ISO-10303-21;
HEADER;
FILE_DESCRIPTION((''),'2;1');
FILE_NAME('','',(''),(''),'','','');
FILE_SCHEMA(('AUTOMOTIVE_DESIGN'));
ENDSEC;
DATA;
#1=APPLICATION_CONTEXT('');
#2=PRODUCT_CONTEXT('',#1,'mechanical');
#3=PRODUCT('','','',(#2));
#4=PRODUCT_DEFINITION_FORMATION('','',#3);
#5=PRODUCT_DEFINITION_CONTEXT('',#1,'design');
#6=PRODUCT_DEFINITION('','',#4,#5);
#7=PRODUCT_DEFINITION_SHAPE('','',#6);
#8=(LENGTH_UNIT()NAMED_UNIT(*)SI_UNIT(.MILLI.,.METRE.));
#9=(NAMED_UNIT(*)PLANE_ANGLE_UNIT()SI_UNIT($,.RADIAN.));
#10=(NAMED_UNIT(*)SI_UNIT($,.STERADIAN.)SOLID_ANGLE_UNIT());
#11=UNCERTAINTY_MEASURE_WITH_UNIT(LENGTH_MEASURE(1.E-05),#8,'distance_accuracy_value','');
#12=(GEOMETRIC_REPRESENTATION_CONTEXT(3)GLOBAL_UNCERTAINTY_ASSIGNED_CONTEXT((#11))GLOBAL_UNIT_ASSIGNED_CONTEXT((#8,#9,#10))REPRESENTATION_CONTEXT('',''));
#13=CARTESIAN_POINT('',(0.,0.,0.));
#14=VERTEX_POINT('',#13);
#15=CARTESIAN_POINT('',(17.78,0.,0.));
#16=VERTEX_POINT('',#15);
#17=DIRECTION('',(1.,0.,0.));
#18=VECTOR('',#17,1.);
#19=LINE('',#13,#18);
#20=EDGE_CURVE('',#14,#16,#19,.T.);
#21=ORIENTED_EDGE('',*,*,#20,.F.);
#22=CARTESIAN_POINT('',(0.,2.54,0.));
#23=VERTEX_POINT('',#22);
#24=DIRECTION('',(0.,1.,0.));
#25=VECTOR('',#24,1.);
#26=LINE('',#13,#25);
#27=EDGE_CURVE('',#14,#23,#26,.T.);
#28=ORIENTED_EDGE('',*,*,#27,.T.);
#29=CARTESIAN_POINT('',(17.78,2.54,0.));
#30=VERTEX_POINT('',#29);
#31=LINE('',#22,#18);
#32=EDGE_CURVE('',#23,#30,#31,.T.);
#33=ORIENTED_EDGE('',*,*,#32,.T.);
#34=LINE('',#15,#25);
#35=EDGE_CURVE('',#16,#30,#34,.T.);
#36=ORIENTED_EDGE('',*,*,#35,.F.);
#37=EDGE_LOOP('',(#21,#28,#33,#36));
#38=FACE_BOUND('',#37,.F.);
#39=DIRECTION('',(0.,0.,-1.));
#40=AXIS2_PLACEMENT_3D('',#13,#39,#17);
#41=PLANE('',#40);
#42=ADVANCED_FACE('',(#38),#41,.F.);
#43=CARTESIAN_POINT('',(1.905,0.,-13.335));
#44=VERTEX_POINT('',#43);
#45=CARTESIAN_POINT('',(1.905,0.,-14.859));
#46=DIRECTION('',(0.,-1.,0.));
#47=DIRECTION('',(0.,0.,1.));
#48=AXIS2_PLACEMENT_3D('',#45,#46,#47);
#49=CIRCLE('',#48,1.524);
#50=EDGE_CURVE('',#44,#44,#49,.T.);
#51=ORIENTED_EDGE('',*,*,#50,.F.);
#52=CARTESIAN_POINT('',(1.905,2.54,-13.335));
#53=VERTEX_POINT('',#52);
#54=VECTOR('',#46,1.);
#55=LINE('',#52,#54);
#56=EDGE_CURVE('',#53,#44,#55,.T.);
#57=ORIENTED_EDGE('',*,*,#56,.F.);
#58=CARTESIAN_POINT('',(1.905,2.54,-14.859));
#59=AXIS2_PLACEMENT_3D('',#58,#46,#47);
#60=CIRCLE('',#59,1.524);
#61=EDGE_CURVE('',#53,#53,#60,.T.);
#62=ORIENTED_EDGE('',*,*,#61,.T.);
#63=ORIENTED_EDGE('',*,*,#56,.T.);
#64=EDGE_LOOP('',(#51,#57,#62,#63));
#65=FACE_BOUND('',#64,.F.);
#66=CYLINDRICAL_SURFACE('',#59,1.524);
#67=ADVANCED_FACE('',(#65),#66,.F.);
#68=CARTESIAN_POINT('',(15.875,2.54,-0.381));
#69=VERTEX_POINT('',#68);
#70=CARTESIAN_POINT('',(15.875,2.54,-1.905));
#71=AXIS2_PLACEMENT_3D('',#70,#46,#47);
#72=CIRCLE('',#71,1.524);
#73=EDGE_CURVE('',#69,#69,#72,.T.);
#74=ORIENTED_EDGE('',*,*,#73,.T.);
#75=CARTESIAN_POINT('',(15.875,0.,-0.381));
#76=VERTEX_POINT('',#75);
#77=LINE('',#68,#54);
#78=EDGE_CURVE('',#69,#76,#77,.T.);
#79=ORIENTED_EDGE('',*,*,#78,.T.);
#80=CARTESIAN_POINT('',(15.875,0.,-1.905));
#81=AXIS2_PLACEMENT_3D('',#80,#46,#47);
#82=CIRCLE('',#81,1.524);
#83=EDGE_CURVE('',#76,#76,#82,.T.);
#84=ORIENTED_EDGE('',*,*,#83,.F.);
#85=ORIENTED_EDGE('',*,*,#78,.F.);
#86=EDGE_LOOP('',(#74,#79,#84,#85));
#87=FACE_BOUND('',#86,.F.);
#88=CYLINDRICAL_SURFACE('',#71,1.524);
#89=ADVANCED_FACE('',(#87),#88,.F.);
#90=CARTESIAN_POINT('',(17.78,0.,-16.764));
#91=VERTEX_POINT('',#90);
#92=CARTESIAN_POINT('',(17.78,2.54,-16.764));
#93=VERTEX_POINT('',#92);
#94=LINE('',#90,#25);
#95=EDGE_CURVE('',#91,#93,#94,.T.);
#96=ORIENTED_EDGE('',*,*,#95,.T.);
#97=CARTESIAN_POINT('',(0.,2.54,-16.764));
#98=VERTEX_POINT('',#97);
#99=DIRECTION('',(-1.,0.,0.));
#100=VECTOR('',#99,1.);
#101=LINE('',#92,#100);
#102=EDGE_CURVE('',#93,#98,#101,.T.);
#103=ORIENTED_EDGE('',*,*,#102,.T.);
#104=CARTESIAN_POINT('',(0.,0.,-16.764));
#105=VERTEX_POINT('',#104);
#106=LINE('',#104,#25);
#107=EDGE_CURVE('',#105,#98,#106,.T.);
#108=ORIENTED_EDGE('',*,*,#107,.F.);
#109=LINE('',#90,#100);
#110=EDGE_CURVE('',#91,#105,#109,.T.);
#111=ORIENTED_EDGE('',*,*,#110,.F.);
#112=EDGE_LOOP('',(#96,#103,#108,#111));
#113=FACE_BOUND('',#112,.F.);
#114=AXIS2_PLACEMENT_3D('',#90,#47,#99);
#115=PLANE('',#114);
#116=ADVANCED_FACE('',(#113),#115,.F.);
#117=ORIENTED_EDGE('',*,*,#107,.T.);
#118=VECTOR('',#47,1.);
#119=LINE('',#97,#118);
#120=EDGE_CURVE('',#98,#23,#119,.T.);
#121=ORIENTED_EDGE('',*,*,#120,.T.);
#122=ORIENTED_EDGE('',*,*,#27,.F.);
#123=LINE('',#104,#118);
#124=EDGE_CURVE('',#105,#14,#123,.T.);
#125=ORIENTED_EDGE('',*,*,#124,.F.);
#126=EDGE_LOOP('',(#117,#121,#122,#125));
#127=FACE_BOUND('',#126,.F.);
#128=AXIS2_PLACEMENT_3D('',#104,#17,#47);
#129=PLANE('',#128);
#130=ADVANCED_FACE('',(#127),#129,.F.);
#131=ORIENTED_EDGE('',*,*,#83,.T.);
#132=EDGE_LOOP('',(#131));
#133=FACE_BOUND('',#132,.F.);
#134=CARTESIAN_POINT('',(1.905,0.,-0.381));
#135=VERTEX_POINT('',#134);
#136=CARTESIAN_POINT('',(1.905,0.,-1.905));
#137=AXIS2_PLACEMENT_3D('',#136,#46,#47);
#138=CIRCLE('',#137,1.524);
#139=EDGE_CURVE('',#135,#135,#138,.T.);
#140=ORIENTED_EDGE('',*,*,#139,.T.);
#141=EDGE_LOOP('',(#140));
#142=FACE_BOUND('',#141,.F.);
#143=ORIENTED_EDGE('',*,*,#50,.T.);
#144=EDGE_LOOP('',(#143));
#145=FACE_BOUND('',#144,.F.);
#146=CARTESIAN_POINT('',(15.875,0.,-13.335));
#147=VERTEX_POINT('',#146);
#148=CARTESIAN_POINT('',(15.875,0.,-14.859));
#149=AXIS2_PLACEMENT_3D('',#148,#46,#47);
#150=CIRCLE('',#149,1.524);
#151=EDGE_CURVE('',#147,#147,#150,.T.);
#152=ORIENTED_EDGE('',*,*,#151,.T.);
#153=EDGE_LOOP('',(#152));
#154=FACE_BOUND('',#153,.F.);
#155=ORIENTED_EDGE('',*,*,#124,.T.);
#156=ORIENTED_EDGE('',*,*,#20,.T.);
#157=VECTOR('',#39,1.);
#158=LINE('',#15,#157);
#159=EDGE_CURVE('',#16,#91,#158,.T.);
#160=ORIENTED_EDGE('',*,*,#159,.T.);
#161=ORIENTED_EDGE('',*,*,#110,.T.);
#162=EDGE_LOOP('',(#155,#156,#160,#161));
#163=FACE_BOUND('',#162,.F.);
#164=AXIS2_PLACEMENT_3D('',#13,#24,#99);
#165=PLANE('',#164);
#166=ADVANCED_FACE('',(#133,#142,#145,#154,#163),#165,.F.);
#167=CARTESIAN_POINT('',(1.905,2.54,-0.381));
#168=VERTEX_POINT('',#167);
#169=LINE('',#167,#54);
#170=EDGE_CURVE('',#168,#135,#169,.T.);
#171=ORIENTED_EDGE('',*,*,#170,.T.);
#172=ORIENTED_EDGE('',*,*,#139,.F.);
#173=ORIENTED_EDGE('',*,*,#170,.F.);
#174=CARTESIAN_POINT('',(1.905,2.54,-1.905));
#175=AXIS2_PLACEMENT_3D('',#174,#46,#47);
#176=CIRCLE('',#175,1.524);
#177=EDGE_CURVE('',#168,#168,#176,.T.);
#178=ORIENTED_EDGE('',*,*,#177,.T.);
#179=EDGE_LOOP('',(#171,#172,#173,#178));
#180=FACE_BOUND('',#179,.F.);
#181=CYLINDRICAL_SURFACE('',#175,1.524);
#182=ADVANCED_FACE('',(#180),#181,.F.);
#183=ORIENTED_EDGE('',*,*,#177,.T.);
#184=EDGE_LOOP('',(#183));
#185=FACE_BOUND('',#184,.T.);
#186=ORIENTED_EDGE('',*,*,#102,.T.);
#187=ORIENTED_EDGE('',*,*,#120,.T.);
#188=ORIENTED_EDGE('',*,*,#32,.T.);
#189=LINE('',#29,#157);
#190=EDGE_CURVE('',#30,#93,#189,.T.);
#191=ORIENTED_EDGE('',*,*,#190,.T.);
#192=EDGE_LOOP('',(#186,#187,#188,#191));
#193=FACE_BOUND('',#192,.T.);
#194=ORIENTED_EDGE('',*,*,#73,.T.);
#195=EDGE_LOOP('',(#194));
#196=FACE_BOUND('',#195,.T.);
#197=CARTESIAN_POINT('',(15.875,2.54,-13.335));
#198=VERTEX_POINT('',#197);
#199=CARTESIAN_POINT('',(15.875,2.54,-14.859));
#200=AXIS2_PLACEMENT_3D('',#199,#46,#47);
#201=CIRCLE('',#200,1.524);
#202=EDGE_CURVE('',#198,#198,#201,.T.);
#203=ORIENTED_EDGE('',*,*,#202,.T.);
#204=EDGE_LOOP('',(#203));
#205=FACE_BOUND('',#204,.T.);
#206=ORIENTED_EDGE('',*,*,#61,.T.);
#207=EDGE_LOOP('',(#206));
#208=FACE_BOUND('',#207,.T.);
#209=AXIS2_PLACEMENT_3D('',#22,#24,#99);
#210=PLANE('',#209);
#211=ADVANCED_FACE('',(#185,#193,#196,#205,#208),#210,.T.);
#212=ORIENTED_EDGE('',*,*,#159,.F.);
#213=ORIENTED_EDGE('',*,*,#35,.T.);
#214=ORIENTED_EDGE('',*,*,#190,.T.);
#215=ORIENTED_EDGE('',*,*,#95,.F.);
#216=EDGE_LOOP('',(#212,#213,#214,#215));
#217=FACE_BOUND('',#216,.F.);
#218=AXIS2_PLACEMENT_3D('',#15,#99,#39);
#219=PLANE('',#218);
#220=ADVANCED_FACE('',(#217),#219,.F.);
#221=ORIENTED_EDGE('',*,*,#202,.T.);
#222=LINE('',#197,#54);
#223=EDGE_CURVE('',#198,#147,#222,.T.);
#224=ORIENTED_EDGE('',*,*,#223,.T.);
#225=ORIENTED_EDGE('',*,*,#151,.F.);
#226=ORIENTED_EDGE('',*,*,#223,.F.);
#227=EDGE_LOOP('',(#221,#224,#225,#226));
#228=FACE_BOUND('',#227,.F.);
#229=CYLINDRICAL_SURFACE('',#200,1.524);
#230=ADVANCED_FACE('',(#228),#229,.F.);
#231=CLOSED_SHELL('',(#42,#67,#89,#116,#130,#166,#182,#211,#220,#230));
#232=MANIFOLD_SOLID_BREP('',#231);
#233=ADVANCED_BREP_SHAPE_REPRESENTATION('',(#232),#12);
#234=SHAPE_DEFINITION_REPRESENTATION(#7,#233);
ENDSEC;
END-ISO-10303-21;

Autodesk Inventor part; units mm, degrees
ref_plane "YZ Plane" through (0, 0, 0) normal (1, 0, 0) x (0, 1, 0)
ref_plane "XZ Plane" through (0, 0, 0) normal (0, 1, 0) x (-1, 0, 0)
ref_plane "XY Plane" through (0, 0, 0) normal (0, 0, 1) x (1, 0, 0)
sketch "Sketch1" plane through (0, 0, 0) normal (0, 1, 0) x (-1, 0, 0)
  line L0 (0, 0) -> (-17.78, 0)
  line L1 (-17.78, 0) -> (-17.78, -16.764)
  line L2 (-17.78, -16.764) -> (0, -16.764)
  line L3 (0, -16.764) -> (0, 0)
  dimension "d0" = 17.78
  dimension "d1" = 16.764
extrude "Extrusion1" add sketch "Sketch1" along normal blind 2.54
sketch "Sketch2" plane through (0, 2.54, 0) normal (0, 1, 0) x (1, 0, 0)
  line L0 (0, 0) -> (17.78, 0) projected
  line L1 (0, 0) -> (3.81, 0)
  line L2 (3.81, 0) -> (3.81, 3.81)
  line L3 (3.81, 3.81) -> (0, 3.81)
  line L4 (0, 3.81) -> (0, 0)
  line L5 (17.78, 16.764) -> (0, 16.764) projected
  line L6 (0, 16.764) -> (3.81, 16.764)
  line L7 (3.81, 16.764) -> (3.81, 12.954)
  line L8 (3.81, 12.954) -> (0, 12.954)
  line L9 (0, 12.954) -> (0, 16.764)
  line L10 (17.7651, 0) -> (13.9551, 0)
  line L11 (13.9551, 0) -> (13.9551, 3.81)
  line L12 (13.9551, 3.81) -> (17.7651, 3.81)
  line L13 (17.7651, 3.81) -> (17.7651, 0)
  line L14 (17.78, 0) -> (17.78, 16.764) projected
  line L15 (17.78, 16.764) -> (13.97, 16.764)
  line L16 (13.97, 16.764) -> (13.97, 12.954)
  line L17 (13.97, 12.954) -> (17.78, 12.954)
  line L18 (17.78, 12.954) -> (17.78, 16.764)
  point P0 (1.905, 1.905)
  point P1 (15.875, 1.905)
  point P2 (15.875, 14.859)
  point P3 (1.905, 14.859)
  dimension "d4" = 3.81
  dimension "d5" = 3.81
  dimension "d6" = 3.81
  dimension "d7" = 3.81
  dimension "d8" = 3.81
  dimension "d9" = 3.81
  dimension "d10" = 3.81
  dimension "d11" = 3.81
hole "Hole1" at (1.905, 2.54, -1.905) at (15.875, 2.54, -1.905) at (15.875, 2.54, -14.859) at (1.905, 2.54, -14.859) direction (0, -1, 0) diameter 3.048 depth 10.16 tip angle 118
properties part number "Phone Mount Cover V1"
